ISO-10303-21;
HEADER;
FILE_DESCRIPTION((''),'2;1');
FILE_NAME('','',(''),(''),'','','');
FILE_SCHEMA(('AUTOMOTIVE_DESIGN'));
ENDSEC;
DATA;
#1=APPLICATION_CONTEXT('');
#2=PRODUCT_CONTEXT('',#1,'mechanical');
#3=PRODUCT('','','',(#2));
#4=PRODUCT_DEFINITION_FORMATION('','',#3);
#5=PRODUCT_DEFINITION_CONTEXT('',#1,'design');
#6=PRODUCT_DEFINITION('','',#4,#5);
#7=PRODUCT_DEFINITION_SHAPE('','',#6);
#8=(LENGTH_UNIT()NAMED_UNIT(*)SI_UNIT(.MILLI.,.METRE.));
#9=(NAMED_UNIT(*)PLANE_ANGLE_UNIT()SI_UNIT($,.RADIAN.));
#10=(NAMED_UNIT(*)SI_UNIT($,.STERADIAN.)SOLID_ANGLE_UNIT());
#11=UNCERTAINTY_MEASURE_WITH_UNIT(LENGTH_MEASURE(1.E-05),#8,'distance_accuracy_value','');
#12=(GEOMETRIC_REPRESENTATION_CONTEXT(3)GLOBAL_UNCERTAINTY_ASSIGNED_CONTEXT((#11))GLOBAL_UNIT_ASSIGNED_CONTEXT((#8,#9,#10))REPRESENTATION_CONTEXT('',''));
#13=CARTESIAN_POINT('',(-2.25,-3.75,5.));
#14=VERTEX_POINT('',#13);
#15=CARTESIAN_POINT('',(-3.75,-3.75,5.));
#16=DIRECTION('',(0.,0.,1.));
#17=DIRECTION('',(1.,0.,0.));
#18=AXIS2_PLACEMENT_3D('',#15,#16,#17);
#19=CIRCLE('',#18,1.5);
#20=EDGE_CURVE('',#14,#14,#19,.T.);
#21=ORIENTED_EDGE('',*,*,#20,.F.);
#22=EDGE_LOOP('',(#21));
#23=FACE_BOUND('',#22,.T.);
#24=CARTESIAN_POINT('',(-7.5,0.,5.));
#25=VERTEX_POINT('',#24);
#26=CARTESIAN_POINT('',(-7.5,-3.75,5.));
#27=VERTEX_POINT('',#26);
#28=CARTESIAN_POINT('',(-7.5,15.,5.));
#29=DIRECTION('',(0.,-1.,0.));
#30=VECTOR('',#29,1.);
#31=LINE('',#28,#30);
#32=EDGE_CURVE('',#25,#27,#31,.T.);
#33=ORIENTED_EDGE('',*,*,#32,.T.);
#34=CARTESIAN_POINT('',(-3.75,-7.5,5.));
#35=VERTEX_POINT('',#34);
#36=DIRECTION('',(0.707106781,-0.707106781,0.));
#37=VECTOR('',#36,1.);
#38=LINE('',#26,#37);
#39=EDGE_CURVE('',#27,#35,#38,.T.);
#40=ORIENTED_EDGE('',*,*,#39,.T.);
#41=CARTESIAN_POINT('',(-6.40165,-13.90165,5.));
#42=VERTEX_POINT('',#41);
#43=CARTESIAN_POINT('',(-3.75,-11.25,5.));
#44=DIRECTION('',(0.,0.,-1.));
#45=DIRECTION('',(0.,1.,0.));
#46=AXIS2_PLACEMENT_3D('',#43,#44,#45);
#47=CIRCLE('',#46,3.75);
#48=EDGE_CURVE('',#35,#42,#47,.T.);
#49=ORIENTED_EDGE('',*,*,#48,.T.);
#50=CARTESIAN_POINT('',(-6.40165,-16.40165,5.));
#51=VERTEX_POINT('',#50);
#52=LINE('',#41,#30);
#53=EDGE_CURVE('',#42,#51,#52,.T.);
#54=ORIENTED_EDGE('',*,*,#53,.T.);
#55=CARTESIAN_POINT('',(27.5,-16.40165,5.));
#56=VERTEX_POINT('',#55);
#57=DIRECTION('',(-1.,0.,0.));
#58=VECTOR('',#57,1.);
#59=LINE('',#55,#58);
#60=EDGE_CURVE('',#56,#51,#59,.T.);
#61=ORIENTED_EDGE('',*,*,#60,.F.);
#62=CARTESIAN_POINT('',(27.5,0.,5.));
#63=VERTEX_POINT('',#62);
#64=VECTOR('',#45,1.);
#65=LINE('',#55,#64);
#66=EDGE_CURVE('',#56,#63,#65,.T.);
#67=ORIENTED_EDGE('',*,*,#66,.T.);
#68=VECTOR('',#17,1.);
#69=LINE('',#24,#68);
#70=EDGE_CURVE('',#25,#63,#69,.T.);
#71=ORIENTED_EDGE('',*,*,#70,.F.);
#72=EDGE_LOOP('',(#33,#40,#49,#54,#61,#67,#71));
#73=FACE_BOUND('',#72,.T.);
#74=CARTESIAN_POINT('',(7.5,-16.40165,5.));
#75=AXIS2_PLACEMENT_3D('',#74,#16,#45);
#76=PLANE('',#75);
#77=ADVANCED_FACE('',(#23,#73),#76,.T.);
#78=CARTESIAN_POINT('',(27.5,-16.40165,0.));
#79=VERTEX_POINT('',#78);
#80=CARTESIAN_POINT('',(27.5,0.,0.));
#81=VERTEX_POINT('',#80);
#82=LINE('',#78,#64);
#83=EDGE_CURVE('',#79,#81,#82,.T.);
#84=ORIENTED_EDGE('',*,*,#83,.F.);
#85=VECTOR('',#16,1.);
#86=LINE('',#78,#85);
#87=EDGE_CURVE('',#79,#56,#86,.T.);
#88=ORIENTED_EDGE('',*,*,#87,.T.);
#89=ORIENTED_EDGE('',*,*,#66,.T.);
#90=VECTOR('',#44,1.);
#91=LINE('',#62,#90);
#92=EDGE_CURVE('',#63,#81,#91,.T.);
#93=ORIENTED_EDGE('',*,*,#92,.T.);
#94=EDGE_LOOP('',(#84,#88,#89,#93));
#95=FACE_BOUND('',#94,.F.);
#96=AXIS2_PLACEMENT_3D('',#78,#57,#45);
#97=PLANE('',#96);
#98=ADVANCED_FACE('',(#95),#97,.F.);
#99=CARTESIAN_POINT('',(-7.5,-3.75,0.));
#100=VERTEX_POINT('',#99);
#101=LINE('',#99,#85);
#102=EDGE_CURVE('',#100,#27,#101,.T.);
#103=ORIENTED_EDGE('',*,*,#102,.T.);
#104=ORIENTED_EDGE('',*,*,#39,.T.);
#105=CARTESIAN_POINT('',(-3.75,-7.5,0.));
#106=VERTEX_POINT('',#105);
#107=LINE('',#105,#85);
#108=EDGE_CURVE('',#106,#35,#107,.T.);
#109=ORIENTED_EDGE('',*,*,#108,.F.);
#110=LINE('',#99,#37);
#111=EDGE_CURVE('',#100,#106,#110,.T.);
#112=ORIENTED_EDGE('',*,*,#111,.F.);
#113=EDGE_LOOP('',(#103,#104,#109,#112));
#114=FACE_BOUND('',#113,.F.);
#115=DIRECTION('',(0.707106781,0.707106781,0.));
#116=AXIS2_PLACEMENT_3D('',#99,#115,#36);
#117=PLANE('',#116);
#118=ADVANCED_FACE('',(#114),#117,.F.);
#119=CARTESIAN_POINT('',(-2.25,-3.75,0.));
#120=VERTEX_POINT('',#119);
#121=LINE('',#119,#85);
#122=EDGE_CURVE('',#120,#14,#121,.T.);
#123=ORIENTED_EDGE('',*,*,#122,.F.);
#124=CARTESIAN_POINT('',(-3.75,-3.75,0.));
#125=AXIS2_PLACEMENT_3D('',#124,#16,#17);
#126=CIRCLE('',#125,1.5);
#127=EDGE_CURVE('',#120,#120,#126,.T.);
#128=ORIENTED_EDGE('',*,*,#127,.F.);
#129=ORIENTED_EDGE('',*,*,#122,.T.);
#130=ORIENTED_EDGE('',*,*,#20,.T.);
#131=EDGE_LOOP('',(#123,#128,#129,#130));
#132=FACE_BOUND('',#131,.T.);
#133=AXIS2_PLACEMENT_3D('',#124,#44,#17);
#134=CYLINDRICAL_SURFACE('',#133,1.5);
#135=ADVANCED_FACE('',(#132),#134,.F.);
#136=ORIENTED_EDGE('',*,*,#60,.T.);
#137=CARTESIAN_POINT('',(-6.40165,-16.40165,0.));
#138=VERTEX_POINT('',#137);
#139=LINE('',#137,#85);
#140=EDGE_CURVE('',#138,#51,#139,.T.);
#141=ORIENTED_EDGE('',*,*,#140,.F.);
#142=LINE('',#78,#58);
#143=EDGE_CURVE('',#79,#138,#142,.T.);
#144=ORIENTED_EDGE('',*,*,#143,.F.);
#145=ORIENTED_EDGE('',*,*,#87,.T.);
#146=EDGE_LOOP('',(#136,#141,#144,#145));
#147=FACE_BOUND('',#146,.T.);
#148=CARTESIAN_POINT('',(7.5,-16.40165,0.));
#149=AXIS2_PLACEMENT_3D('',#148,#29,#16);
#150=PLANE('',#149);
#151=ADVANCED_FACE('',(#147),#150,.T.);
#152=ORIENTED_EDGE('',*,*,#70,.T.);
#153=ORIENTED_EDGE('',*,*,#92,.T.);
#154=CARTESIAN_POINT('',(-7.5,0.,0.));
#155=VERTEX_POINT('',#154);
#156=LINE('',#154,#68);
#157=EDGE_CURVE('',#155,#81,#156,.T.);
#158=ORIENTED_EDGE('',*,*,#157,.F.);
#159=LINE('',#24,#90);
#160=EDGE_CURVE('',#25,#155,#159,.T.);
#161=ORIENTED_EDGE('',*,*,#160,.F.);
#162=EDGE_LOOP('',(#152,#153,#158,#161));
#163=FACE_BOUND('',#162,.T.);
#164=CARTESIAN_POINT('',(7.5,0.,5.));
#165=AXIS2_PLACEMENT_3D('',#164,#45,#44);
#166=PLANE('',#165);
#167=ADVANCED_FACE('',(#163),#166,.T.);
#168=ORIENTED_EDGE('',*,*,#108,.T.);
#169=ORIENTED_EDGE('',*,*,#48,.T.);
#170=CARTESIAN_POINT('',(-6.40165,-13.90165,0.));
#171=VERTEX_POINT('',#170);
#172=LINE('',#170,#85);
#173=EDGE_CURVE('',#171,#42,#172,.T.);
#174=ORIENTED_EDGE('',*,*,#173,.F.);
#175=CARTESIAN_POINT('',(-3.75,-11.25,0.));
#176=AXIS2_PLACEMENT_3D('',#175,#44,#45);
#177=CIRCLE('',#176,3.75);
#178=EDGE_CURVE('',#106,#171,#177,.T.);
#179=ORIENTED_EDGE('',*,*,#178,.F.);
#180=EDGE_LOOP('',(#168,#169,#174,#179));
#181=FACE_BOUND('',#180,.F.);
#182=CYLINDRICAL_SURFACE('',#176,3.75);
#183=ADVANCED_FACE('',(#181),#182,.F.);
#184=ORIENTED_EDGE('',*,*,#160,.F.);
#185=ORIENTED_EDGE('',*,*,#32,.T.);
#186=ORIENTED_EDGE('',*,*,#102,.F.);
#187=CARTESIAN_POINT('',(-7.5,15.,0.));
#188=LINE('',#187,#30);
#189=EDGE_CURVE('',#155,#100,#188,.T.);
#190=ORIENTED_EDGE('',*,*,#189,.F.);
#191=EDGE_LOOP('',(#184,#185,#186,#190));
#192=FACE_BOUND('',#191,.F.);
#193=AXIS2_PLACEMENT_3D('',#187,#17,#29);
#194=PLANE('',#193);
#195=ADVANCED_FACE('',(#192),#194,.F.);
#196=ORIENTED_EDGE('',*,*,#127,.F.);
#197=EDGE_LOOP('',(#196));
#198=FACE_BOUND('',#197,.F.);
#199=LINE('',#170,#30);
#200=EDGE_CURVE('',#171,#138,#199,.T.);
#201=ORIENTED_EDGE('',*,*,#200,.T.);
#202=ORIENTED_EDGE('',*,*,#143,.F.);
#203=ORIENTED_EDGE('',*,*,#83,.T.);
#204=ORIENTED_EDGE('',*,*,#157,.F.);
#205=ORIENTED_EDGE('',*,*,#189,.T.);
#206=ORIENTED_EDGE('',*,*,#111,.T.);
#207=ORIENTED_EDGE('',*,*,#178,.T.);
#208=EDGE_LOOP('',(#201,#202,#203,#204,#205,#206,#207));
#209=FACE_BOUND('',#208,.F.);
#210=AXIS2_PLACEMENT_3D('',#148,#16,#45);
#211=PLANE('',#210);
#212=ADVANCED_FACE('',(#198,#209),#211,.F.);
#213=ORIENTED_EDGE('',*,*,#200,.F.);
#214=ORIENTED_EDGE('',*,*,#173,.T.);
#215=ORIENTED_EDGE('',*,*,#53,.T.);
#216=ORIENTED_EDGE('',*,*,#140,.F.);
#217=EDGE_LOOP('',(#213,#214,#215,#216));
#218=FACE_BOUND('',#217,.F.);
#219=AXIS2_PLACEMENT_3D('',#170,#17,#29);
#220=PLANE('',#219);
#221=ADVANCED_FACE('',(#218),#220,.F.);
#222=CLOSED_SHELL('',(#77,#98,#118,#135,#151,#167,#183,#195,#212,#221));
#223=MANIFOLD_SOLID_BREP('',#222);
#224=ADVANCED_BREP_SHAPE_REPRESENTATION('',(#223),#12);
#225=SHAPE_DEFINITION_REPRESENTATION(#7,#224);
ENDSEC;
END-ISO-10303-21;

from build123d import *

# Parameters (mm, degrees)
F0_R     = 1.5
F1_DEPTH = 5
F2_W     = 15
F2_H     = 15
F3_DEPTH = 25
F4_DEPTH = 20


with BuildPart() as f1:
    # F0 (on Top) → F1 (new body)
    with BuildSketch(Plane.XY):
        Polygon((7.5, -7.5), (7.5, 15), (-7.5, 15), (-7.5, 0), (-7.5, -3.75), (-3.75, -7.5), (0, -7.5), align=None)
        with Locations((-3.75, -3.75)):
            Circle(F0_R, mode=Mode.SUBTRACT)
        with BuildLine():
            Line((7.5, -16.4016504294), (7.5, -7.5))
            Line((7.5, -7.5), (0, -7.5))
            Line((0, -7.5), (-3.75, -7.5))
            ThreePointArc((-3.75, -7.5), (-0.2854517531, -12.6850628714), (-6.4016504294, -13.9016504294))
            Line((-6.4016504294, -13.9016504294), (-6.4016504294, -16.4016504294))
            Line((-6.4016504294, -16.4016504294), (0, -16.4016504294))
            Line((0, -16.4016504294), (7.5, -16.4016504294))
        make_face()
    extrude(amount=F1_DEPTH)

    # F2 (on face) → F3 (cut)
    with BuildSketch(Plane.XY.offset(5)):
        with Locations((0, 7.5)):
            Rectangle(F2_W, F2_H)
    extrude(amount=-F3_DEPTH, mode=Mode.SUBTRACT)

    # F4 (add): a face of the model
    f4_faces = [f1.faces().sort_by_distance(p)[0] for p in [
        (7.5, -8.2008252147, 2.5),
    ]]
    extrude(f4_faces, amount=F4_DEPTH)


solid = f1.part
